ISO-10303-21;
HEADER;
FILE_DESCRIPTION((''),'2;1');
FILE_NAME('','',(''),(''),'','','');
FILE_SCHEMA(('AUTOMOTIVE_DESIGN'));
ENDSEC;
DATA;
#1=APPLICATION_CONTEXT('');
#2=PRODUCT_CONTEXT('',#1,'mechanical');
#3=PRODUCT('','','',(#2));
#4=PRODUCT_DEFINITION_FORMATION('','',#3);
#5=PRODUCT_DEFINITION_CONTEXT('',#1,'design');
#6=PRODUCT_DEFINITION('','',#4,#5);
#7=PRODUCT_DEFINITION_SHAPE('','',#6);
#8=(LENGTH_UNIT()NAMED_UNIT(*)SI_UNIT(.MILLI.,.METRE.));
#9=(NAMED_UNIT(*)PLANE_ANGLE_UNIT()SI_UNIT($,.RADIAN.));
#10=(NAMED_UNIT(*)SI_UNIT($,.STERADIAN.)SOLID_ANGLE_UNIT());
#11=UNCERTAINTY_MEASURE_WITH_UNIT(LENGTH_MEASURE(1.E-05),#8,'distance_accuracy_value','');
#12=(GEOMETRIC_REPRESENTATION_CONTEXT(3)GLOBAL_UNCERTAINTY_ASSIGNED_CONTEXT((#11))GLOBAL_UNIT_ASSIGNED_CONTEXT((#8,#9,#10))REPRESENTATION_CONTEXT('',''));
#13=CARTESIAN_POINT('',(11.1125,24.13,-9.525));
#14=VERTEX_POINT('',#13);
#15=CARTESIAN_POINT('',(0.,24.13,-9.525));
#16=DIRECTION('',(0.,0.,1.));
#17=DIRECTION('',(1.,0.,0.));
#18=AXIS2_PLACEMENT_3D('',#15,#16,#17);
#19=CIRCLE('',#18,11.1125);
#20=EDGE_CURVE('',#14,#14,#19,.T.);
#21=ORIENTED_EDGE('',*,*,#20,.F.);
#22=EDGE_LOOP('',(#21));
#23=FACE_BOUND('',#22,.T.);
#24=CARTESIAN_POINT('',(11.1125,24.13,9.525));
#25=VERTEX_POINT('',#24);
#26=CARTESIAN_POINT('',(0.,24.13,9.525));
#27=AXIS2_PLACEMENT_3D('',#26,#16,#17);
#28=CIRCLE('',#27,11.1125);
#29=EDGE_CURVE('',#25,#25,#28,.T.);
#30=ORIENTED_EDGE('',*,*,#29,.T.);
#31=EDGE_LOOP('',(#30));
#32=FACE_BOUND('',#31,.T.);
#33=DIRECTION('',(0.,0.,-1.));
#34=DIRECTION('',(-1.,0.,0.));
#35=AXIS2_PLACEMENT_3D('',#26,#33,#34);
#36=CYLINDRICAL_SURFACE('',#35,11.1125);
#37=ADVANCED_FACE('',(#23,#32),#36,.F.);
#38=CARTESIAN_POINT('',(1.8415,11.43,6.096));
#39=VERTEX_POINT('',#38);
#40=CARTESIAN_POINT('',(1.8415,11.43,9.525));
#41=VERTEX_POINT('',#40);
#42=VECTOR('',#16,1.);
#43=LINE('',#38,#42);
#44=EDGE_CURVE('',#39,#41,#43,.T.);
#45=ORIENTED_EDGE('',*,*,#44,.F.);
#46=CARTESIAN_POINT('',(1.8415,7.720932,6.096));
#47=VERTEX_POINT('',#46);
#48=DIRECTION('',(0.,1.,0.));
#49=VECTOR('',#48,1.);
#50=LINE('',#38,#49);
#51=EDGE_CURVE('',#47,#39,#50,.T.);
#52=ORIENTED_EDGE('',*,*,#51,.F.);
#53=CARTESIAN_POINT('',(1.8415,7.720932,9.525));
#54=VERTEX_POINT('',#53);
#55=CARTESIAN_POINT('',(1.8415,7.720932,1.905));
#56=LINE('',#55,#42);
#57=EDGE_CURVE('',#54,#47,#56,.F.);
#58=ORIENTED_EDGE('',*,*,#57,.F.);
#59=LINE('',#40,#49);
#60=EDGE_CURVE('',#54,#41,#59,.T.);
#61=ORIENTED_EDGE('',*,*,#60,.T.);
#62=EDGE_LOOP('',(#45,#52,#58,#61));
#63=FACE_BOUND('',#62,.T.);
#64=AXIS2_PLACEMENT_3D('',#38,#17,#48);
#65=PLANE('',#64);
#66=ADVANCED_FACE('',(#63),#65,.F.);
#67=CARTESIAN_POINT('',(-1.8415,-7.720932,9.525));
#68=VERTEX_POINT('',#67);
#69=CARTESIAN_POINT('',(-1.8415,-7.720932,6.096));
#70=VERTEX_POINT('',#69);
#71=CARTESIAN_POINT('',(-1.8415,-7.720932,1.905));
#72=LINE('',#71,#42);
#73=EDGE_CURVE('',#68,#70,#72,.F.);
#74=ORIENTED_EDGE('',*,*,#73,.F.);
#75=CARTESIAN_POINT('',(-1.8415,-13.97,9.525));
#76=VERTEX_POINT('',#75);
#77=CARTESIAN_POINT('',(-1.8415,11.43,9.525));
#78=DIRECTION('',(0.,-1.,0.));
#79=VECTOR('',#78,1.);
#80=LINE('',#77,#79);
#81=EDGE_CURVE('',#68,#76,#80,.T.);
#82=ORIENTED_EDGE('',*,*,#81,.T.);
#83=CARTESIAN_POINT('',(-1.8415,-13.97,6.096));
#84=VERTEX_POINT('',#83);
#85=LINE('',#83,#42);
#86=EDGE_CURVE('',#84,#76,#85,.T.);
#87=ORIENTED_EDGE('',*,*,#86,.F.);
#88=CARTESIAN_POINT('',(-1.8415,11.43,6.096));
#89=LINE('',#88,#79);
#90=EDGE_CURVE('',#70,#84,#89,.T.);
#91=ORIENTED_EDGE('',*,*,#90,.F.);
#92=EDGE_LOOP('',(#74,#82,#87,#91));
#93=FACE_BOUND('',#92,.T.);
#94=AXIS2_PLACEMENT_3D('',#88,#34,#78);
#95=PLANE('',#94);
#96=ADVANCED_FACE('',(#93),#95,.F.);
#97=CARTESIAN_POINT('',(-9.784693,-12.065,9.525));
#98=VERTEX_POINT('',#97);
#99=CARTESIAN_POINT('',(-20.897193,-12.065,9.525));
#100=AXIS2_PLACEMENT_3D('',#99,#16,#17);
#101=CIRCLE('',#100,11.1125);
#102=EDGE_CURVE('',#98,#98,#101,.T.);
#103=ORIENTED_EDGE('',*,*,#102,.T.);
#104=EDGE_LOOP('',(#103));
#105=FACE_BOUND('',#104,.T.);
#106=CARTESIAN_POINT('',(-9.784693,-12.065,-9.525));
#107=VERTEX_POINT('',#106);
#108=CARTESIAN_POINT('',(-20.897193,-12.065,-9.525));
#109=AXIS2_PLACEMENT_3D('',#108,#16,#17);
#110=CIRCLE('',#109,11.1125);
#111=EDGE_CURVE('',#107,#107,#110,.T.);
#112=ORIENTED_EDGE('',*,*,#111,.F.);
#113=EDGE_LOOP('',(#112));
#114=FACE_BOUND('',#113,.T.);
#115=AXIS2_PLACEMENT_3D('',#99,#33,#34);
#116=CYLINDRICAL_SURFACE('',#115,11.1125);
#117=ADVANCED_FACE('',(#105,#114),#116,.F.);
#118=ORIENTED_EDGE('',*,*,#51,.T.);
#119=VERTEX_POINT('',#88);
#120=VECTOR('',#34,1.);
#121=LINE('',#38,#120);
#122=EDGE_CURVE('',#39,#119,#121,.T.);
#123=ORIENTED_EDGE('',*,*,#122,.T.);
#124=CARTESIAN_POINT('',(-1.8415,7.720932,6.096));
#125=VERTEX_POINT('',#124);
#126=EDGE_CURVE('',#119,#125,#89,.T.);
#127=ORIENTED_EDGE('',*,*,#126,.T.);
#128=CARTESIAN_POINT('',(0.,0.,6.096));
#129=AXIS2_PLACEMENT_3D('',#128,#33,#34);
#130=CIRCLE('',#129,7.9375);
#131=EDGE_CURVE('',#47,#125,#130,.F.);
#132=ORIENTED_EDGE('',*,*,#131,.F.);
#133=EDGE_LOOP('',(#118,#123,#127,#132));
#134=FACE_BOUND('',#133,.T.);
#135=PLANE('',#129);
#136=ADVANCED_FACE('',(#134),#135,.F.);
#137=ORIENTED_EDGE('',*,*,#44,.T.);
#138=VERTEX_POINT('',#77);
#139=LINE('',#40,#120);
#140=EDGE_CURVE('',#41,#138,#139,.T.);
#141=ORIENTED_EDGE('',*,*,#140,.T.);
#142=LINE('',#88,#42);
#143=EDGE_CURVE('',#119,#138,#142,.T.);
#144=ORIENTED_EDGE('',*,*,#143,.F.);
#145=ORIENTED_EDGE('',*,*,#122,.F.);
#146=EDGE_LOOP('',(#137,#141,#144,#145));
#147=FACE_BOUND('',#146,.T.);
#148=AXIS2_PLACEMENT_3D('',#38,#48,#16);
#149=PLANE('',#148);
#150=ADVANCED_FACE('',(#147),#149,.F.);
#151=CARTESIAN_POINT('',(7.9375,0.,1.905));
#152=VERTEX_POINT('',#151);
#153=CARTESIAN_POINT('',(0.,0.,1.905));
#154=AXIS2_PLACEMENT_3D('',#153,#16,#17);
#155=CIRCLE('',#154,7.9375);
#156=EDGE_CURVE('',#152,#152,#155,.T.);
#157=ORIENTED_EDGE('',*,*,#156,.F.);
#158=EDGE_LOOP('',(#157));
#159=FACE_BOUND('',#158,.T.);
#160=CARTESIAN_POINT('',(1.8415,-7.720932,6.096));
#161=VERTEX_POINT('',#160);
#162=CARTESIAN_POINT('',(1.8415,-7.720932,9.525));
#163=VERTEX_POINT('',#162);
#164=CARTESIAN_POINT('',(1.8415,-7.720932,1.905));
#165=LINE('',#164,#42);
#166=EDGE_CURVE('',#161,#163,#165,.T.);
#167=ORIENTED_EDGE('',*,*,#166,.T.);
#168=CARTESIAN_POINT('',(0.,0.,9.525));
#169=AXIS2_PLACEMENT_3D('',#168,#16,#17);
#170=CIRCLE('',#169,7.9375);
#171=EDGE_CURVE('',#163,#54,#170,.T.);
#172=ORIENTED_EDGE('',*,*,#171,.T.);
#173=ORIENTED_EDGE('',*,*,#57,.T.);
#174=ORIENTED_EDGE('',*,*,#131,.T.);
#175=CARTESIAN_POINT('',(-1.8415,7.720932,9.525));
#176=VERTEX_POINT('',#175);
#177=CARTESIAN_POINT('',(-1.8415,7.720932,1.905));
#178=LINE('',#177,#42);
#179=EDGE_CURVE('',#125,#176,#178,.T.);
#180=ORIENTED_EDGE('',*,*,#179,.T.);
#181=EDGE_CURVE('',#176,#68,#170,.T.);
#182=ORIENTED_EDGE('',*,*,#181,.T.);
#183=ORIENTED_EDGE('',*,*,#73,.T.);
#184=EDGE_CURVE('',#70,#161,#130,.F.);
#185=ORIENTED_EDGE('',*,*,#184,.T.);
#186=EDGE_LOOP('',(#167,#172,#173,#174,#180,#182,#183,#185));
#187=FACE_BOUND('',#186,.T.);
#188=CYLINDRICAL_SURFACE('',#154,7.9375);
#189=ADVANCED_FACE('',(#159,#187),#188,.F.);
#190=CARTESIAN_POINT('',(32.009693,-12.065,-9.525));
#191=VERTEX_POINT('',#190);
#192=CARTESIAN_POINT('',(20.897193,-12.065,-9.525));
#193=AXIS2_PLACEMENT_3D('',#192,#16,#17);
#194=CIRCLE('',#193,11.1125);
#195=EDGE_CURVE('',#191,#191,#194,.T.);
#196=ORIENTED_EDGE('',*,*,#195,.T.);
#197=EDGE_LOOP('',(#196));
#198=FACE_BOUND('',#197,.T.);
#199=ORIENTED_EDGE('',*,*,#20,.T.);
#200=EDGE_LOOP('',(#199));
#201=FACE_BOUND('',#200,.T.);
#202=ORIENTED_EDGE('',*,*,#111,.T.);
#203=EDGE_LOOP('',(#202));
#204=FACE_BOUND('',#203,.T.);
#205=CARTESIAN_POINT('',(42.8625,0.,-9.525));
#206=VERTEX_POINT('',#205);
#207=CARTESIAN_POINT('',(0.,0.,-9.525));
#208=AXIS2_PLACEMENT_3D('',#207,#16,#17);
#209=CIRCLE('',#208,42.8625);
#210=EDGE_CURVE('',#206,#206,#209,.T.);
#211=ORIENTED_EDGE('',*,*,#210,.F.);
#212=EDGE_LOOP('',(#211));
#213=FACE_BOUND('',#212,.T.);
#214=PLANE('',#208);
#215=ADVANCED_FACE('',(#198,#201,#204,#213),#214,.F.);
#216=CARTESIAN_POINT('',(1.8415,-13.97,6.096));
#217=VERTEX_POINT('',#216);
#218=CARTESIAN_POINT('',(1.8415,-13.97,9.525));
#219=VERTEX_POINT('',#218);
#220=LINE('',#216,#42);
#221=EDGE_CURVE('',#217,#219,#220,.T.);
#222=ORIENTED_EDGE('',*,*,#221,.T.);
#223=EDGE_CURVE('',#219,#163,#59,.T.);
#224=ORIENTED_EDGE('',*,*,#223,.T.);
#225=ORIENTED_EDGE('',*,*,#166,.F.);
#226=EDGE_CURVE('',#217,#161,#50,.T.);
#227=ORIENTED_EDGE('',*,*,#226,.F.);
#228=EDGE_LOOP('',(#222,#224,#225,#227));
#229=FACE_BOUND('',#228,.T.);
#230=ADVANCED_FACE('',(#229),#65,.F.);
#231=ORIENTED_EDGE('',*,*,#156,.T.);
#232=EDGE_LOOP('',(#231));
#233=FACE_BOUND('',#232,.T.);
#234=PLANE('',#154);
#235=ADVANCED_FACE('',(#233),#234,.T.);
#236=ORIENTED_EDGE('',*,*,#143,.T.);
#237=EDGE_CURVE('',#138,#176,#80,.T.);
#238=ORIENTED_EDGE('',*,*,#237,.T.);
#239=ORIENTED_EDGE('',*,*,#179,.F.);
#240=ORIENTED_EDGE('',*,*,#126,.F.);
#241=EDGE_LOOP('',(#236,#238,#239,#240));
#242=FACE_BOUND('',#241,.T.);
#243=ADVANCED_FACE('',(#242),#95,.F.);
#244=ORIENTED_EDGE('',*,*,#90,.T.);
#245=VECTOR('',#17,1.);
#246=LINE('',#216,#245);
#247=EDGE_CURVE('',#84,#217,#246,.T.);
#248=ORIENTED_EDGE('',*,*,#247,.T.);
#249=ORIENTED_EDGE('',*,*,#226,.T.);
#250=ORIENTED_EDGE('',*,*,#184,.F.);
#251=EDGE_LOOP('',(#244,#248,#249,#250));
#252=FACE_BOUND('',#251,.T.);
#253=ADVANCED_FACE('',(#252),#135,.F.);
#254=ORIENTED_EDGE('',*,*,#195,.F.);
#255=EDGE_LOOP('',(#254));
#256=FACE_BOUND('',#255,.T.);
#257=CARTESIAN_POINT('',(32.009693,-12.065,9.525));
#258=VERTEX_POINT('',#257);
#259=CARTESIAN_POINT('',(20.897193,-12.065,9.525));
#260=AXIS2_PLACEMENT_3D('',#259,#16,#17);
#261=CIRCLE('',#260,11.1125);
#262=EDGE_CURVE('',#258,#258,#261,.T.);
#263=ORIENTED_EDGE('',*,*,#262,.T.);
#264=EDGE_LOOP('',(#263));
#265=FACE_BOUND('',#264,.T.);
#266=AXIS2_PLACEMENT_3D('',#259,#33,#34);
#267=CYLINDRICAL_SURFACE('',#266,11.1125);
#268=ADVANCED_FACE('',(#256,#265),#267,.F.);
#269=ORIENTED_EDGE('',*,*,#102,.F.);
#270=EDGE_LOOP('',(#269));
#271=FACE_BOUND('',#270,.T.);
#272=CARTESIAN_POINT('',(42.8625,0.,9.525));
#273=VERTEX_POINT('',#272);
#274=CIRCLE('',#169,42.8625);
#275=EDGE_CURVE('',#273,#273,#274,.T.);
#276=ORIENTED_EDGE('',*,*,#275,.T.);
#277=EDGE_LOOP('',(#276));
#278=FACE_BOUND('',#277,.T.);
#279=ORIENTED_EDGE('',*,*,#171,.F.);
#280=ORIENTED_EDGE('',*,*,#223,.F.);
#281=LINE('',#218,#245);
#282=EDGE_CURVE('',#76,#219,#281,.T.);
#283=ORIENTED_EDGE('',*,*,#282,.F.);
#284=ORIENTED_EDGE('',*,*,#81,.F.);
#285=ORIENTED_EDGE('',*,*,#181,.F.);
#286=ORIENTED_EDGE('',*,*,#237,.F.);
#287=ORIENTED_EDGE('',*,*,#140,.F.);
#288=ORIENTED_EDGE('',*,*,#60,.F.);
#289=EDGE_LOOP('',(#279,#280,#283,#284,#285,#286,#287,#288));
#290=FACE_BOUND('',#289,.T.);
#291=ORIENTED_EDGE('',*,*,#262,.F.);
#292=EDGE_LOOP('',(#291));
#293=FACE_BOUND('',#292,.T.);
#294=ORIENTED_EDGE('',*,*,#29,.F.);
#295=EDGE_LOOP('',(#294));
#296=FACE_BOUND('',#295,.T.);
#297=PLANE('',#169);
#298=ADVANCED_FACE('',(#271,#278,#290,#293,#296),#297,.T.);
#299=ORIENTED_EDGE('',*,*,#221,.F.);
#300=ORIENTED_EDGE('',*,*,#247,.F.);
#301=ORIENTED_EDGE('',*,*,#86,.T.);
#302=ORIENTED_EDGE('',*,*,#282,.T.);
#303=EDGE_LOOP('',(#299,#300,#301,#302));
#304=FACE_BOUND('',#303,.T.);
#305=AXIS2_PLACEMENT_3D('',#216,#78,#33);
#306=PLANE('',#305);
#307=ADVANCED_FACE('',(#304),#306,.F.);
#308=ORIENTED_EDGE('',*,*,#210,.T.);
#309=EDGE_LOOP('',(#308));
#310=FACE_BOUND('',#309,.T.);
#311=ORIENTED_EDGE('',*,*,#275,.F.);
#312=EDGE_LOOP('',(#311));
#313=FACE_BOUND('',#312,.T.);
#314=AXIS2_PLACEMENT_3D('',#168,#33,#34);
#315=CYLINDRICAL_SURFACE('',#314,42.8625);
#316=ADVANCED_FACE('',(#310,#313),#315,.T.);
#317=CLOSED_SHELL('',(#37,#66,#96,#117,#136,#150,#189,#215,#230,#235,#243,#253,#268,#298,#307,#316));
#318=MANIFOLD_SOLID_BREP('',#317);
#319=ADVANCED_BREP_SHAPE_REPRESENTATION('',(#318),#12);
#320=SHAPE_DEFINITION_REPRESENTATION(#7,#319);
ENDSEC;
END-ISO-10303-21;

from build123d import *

# Parameters (mm, degrees)
SKETCH1_R           = 42.8625
SKETCH1_R_2         = 11.1125
BOSS_EXTRUDE1_DEPTH = 9.525
SKETCH2_R           = 7.9375
CUT_EXTRUDE1_DEPTH  = 7.62
SKETCH3_W           = 3.683
SKETCH3_H           = 25.4
CUT_EXTRUDE2_DEPTH  = 3.429


with BuildPart() as part:
    # Sketch1 → Boss-Extrude1 (new body, symmetric)
    with BuildSketch(Plane.XY):
        Circle(SKETCH1_R)
        with Locations((0, 24.13)):
            Circle(SKETCH1_R_2, mode=Mode.SUBTRACT)
        with Locations((-20.897192993, -12.065)):
            Circle(SKETCH1_R_2, mode=Mode.SUBTRACT)
        with Locations((20.897192993, -12.065)):
            Circle(SKETCH1_R_2, mode=Mode.SUBTRACT)
    extrude(amount=BOSS_EXTRUDE1_DEPTH, both=True)

    # Sketch2 → Cut-Extrude1 (cut)
    with BuildSketch(Plane.XY.offset(9.525)):
        Circle(SKETCH2_R)
    extrude(amount=-CUT_EXTRUDE1_DEPTH, mode=Mode.SUBTRACT)

    # Sketch3 → Cut-Extrude2 (cut)
    with BuildSketch(Plane.XY.offset(9.525)):
        with Locations((0, -1.27)):
            Rectangle(SKETCH3_W, SKETCH3_H)
    extrude(amount=-CUT_EXTRUDE2_DEPTH, mode=Mode.SUBTRACT)


solid = part.part
